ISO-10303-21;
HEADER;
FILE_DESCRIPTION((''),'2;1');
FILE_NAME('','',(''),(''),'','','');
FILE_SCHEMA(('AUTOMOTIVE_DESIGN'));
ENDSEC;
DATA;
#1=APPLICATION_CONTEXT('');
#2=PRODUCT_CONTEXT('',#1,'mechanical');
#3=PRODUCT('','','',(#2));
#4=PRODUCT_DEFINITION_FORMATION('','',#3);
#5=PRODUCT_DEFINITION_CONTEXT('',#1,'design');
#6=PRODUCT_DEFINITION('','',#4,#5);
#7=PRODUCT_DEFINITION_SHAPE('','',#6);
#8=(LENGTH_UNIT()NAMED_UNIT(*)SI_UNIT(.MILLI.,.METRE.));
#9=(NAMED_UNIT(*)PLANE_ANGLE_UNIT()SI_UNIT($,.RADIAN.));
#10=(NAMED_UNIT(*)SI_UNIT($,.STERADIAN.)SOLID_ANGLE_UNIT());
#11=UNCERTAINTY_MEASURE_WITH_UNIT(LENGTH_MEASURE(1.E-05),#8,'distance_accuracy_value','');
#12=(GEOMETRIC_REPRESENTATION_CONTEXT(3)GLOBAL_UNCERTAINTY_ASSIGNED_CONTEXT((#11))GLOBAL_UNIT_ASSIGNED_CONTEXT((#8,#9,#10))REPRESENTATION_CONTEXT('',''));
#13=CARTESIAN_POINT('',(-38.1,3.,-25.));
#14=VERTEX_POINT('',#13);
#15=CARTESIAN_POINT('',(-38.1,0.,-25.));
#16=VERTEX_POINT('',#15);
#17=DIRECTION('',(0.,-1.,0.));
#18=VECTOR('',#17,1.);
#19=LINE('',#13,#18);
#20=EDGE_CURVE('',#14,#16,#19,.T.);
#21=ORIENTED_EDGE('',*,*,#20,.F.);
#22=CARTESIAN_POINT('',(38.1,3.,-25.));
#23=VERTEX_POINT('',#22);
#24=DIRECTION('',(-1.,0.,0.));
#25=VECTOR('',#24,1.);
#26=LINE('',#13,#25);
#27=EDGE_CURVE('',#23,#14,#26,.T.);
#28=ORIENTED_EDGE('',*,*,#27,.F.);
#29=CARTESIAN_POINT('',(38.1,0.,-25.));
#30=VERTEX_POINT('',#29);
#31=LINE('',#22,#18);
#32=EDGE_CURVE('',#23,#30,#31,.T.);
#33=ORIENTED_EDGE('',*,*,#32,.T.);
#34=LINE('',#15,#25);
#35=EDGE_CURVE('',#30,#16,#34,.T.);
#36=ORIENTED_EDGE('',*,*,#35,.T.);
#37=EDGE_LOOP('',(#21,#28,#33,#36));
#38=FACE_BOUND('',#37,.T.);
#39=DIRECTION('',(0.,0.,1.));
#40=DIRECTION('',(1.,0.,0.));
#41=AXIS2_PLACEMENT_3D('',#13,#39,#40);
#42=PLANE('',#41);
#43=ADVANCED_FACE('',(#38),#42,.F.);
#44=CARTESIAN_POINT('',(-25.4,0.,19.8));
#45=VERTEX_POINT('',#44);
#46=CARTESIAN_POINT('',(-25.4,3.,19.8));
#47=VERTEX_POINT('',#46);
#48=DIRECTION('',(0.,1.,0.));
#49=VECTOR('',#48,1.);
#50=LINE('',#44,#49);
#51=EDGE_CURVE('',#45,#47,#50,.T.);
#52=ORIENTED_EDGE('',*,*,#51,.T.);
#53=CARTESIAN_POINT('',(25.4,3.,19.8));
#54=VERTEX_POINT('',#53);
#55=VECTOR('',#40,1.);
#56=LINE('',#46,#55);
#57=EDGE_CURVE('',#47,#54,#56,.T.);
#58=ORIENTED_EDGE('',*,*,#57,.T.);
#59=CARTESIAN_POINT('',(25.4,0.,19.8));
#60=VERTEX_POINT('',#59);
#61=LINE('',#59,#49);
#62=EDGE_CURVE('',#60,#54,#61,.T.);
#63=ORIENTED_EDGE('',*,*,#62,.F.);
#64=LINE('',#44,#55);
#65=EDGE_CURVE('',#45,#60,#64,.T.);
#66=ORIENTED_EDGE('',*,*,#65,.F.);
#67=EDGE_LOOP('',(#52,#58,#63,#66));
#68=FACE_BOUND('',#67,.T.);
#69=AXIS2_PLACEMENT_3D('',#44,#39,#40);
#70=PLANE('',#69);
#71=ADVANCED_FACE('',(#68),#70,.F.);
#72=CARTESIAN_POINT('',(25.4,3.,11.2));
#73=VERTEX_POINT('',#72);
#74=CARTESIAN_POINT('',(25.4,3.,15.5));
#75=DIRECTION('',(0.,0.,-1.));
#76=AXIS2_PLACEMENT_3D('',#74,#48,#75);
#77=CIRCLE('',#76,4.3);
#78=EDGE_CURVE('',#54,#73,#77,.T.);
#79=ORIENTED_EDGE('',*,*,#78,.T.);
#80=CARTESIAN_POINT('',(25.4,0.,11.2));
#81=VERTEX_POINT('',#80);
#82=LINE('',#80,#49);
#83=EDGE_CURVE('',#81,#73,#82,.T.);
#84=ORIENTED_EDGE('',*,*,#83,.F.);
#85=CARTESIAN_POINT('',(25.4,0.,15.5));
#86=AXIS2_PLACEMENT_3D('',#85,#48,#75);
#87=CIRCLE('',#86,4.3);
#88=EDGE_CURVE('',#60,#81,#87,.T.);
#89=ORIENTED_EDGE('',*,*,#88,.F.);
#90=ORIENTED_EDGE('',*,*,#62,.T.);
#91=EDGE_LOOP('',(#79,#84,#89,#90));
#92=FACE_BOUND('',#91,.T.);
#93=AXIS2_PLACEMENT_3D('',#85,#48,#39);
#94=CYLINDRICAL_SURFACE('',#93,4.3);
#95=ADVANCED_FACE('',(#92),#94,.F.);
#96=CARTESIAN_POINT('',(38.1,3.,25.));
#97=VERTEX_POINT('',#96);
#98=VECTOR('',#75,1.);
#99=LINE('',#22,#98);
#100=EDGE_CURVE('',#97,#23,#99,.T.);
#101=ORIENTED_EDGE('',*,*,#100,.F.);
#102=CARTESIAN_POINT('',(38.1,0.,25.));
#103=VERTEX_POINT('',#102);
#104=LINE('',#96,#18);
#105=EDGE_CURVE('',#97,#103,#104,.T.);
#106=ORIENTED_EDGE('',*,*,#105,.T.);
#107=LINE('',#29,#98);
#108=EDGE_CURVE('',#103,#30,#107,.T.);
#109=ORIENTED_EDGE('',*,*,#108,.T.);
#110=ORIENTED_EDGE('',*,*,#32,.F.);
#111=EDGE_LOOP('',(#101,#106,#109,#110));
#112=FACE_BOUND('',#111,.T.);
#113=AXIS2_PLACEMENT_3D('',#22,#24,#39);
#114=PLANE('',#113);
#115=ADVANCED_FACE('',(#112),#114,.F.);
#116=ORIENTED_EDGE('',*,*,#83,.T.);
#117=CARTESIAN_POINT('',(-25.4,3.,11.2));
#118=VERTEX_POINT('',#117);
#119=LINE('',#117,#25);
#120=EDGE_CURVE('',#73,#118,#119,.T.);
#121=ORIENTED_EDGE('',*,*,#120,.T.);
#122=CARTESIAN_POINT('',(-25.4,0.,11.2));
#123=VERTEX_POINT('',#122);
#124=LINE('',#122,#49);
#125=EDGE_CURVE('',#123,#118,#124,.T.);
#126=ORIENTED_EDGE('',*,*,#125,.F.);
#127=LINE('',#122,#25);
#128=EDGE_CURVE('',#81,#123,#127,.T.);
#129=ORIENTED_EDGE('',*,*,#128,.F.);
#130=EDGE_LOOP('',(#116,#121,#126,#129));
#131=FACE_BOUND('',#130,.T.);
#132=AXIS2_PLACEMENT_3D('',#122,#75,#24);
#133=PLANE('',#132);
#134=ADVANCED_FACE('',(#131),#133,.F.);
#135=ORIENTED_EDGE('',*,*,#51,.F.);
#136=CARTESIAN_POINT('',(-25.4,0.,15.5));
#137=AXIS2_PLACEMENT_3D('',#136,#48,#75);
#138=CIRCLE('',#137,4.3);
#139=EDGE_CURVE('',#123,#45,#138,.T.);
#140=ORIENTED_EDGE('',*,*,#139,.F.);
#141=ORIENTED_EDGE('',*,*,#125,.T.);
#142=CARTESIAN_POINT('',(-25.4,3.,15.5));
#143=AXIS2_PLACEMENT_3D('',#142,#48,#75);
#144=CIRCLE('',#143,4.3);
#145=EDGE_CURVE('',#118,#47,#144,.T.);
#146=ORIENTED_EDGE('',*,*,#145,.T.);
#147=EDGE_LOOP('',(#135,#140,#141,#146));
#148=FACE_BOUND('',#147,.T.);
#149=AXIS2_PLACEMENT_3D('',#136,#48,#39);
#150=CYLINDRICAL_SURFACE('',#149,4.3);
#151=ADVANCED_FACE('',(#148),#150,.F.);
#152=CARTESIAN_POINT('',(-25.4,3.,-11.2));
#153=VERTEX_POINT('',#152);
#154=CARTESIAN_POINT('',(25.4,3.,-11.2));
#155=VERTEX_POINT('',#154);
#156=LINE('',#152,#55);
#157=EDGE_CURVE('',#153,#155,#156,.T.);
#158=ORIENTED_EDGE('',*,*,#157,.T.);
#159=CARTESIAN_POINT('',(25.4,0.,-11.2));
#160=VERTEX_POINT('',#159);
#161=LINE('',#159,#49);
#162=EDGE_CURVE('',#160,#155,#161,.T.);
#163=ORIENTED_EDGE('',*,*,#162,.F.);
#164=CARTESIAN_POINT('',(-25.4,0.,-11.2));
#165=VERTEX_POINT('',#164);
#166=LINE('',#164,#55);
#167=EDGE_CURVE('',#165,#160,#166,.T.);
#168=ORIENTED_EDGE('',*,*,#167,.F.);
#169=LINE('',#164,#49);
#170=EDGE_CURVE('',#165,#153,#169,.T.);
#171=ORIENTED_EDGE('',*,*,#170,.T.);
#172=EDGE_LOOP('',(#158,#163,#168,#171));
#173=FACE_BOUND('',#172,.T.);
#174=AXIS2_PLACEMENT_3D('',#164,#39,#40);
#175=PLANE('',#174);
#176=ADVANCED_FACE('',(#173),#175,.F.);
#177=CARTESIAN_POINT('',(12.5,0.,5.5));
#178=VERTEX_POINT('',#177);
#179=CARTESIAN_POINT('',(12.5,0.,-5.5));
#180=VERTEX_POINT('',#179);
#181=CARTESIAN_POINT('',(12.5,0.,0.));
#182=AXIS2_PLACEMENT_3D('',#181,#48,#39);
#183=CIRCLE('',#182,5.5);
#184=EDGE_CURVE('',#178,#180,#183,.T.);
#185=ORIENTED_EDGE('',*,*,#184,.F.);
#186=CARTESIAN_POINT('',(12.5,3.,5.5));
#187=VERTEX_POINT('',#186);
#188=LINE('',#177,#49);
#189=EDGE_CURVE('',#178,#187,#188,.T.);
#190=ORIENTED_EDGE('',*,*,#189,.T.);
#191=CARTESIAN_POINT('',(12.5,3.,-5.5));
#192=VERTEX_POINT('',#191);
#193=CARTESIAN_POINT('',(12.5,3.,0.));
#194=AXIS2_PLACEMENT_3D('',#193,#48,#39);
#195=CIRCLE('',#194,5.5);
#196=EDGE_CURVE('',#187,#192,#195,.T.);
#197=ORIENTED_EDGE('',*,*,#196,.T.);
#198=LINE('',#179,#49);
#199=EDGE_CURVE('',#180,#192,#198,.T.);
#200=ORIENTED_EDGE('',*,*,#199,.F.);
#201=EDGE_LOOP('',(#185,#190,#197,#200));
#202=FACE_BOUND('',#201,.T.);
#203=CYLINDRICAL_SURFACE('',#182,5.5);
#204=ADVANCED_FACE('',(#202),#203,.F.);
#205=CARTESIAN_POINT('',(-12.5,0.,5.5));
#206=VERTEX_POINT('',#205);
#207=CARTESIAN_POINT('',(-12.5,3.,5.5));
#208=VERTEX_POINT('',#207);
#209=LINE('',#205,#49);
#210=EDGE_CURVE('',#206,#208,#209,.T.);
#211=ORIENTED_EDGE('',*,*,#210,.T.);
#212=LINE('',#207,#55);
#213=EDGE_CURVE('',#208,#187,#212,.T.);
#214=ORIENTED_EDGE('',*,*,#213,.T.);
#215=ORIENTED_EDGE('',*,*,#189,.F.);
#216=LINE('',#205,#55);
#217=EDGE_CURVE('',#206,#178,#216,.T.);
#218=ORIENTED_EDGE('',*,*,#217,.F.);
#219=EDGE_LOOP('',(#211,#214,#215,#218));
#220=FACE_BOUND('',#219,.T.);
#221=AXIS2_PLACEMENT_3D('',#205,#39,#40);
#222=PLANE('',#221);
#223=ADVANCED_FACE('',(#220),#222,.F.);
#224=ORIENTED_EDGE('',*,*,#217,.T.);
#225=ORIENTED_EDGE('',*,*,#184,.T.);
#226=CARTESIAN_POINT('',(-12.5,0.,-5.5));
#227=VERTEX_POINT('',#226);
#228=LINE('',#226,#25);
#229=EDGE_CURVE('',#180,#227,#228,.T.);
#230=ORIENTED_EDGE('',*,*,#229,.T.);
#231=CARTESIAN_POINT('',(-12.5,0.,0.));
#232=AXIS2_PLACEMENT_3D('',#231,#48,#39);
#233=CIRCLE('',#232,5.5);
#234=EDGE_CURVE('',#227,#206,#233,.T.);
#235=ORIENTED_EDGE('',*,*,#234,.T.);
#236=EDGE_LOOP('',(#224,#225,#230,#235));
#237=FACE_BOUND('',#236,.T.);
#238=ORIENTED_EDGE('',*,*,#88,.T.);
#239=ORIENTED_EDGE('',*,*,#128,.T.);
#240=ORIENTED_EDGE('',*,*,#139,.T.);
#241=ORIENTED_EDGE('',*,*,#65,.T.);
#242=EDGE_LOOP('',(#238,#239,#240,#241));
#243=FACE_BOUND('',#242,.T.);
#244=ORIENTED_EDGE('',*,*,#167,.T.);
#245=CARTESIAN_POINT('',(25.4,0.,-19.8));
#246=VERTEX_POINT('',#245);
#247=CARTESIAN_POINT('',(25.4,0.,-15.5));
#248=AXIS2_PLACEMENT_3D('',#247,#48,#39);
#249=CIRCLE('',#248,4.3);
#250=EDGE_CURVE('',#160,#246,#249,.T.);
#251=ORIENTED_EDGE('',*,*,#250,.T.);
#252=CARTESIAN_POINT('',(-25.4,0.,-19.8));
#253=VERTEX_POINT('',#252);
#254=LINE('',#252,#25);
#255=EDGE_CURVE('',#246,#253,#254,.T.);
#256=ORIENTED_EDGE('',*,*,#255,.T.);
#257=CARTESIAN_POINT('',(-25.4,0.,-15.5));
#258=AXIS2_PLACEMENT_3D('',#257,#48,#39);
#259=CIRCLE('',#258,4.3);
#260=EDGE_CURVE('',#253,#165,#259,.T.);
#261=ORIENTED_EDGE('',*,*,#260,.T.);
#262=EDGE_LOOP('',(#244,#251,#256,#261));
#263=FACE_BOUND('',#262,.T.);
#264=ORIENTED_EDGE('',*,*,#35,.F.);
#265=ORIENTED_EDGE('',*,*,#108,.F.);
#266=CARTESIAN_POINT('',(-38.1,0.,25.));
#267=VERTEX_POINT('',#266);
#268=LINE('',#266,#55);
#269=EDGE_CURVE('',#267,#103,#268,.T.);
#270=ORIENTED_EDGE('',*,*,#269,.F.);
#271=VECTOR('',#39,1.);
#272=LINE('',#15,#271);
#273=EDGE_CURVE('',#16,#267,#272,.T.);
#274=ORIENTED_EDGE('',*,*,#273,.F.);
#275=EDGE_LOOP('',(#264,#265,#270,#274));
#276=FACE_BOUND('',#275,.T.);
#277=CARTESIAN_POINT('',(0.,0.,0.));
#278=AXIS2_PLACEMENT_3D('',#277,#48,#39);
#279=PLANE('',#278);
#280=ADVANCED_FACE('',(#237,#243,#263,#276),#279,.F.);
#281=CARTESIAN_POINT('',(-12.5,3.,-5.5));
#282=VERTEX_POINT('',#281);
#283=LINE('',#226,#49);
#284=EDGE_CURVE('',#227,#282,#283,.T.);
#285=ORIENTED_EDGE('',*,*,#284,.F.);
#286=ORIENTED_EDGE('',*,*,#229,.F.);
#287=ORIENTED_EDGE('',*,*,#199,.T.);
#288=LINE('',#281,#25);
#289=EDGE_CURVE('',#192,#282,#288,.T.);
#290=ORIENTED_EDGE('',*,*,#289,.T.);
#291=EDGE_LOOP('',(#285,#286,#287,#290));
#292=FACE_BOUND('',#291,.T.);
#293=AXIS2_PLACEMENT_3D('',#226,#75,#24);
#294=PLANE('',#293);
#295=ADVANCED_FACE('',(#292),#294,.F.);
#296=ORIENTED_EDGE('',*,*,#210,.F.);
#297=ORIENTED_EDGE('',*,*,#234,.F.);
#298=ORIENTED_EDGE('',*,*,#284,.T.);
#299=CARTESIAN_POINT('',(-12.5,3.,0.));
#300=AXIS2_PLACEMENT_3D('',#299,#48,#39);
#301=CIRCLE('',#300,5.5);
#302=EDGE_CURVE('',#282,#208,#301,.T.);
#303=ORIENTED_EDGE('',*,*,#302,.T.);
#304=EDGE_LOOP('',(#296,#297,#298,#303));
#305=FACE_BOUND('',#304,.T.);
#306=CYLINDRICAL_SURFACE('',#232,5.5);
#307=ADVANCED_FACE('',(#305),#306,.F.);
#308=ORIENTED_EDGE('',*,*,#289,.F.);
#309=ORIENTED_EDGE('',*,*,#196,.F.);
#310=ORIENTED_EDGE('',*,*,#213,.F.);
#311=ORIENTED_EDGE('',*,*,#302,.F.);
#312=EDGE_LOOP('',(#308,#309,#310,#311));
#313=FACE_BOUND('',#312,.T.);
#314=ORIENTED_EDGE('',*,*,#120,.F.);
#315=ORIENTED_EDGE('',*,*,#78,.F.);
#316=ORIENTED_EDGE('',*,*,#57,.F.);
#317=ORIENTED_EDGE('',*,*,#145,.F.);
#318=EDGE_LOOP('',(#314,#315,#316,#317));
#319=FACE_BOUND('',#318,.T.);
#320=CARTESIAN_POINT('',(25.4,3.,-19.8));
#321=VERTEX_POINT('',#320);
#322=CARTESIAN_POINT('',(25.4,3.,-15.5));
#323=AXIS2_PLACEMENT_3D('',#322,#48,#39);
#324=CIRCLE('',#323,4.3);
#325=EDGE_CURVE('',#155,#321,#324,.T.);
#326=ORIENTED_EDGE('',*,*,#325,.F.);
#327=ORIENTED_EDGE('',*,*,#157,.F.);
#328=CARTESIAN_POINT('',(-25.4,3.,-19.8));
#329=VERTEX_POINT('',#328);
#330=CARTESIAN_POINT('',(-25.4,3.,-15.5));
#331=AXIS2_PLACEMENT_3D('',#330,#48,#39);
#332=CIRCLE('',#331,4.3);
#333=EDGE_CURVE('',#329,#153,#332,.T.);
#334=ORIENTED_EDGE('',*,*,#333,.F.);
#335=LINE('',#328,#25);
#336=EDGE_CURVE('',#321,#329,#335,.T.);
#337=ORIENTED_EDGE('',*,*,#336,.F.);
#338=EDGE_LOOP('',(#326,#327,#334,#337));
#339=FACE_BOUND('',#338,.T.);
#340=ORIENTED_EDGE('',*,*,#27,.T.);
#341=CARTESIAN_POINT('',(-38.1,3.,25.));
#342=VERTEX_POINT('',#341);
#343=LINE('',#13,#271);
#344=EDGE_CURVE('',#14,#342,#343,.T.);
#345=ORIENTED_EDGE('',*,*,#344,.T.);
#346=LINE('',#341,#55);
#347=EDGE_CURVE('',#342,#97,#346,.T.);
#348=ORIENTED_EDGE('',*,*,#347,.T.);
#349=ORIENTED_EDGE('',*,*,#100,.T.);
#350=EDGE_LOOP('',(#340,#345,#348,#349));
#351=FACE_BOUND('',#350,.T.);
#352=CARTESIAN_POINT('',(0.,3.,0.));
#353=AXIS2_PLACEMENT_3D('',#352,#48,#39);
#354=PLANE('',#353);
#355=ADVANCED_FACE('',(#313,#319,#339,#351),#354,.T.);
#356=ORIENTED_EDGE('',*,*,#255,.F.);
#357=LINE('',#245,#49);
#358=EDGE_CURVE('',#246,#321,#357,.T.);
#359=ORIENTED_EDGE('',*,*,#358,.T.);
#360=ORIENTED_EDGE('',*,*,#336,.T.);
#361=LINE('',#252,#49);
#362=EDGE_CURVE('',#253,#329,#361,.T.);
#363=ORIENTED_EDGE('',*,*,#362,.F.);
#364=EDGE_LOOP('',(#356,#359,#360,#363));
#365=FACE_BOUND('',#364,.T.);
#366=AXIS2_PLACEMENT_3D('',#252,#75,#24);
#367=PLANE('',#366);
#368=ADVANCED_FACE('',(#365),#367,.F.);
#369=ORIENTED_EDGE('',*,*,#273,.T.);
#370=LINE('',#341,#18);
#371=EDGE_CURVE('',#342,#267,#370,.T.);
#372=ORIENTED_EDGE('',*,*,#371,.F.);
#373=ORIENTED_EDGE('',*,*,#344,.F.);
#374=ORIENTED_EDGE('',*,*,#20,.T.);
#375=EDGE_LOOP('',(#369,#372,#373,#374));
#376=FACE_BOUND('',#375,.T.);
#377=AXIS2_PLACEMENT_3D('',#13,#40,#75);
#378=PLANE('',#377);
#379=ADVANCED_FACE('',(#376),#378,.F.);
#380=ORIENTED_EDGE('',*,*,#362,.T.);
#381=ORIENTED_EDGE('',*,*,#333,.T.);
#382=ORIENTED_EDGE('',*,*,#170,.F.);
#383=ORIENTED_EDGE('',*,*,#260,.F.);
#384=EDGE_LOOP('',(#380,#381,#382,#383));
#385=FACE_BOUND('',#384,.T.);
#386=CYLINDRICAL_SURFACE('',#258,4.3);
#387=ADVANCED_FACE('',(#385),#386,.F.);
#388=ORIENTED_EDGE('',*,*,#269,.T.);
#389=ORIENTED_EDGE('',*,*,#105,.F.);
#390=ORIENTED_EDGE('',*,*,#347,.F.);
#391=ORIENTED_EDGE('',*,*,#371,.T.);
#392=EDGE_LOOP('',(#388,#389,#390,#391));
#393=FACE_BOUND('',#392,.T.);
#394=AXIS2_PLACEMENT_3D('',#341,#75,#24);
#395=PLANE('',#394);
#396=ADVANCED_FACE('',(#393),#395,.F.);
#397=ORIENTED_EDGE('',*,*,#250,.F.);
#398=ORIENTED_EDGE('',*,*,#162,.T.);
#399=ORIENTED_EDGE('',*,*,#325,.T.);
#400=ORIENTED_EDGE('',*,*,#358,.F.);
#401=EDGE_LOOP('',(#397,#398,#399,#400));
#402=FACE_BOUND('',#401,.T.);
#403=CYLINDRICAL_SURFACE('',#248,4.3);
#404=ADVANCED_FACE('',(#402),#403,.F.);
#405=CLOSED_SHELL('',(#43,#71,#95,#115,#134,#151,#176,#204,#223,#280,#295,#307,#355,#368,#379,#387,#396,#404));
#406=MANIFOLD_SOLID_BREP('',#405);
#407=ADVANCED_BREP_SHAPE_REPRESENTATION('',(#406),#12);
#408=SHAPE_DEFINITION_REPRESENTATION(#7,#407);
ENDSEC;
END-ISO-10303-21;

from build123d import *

# Parameters (mm, degrees)
SKETCH1_W           = 76.2
SKETCH1_H           = 50
BOSS_EXTRUDE1_DEPTH = 3
CUT_EXTRUDE1_DEPTH  = 4


with BuildPart() as part:
    # Sketch1 → Boss-Extrude1 (new body)
    with BuildSketch(Plane(origin=(0, 0, 0), x_dir=(1, 0, 0), z_dir=(0, 1, 0))):
        Rectangle(SKETCH1_W, SKETCH1_H)
    extrude(amount=BOSS_EXTRUDE1_DEPTH)

    # Sketch2 → Cut-Extrude1 (cut, through all)
    with BuildSketch(Plane(origin=(0, 3, 0), x_dir=(1, 0, 0), z_dir=(0, 1, 0))):
        with BuildLine():
            Line((-25.4, 19.8), (25.4, 19.8))
            ThreePointArc((25.4, 19.8), (29.7, 15.5), (25.4, 11.2))
            Line((25.4, 11.2), (-25.4, 11.2))
            ThreePointArc((-25.4, 11.2), (-29.7, 15.5), (-25.4, 19.8))
        make_face()
        with BuildLine():
            Line((-25.4, -19.8), (25.4, -19.8))
            ThreePointArc((25.4, -19.8), (29.7, -15.5), (25.4, -11.2))
            Line((25.4, -11.2), (-25.4, -11.2))
            ThreePointArc((-25.4, -11.2), (-29.7, -15.5), (-25.4, -19.8))
        make_face()
        with BuildLine():
            Line((-12.5, 5.5), (12.5, 5.5))
            ThreePointArc((12.5, 5.5), (18, 0), (12.5, -5.5))
            Line((12.5, -5.5), (-12.5, -5.5))
            ThreePointArc((-12.5, -5.5), (-18, 0), (-12.5, 5.5))
        make_face()
    extrude(amount=-CUT_EXTRUDE1_DEPTH, mode=Mode.SUBTRACT)


solid = part.part
